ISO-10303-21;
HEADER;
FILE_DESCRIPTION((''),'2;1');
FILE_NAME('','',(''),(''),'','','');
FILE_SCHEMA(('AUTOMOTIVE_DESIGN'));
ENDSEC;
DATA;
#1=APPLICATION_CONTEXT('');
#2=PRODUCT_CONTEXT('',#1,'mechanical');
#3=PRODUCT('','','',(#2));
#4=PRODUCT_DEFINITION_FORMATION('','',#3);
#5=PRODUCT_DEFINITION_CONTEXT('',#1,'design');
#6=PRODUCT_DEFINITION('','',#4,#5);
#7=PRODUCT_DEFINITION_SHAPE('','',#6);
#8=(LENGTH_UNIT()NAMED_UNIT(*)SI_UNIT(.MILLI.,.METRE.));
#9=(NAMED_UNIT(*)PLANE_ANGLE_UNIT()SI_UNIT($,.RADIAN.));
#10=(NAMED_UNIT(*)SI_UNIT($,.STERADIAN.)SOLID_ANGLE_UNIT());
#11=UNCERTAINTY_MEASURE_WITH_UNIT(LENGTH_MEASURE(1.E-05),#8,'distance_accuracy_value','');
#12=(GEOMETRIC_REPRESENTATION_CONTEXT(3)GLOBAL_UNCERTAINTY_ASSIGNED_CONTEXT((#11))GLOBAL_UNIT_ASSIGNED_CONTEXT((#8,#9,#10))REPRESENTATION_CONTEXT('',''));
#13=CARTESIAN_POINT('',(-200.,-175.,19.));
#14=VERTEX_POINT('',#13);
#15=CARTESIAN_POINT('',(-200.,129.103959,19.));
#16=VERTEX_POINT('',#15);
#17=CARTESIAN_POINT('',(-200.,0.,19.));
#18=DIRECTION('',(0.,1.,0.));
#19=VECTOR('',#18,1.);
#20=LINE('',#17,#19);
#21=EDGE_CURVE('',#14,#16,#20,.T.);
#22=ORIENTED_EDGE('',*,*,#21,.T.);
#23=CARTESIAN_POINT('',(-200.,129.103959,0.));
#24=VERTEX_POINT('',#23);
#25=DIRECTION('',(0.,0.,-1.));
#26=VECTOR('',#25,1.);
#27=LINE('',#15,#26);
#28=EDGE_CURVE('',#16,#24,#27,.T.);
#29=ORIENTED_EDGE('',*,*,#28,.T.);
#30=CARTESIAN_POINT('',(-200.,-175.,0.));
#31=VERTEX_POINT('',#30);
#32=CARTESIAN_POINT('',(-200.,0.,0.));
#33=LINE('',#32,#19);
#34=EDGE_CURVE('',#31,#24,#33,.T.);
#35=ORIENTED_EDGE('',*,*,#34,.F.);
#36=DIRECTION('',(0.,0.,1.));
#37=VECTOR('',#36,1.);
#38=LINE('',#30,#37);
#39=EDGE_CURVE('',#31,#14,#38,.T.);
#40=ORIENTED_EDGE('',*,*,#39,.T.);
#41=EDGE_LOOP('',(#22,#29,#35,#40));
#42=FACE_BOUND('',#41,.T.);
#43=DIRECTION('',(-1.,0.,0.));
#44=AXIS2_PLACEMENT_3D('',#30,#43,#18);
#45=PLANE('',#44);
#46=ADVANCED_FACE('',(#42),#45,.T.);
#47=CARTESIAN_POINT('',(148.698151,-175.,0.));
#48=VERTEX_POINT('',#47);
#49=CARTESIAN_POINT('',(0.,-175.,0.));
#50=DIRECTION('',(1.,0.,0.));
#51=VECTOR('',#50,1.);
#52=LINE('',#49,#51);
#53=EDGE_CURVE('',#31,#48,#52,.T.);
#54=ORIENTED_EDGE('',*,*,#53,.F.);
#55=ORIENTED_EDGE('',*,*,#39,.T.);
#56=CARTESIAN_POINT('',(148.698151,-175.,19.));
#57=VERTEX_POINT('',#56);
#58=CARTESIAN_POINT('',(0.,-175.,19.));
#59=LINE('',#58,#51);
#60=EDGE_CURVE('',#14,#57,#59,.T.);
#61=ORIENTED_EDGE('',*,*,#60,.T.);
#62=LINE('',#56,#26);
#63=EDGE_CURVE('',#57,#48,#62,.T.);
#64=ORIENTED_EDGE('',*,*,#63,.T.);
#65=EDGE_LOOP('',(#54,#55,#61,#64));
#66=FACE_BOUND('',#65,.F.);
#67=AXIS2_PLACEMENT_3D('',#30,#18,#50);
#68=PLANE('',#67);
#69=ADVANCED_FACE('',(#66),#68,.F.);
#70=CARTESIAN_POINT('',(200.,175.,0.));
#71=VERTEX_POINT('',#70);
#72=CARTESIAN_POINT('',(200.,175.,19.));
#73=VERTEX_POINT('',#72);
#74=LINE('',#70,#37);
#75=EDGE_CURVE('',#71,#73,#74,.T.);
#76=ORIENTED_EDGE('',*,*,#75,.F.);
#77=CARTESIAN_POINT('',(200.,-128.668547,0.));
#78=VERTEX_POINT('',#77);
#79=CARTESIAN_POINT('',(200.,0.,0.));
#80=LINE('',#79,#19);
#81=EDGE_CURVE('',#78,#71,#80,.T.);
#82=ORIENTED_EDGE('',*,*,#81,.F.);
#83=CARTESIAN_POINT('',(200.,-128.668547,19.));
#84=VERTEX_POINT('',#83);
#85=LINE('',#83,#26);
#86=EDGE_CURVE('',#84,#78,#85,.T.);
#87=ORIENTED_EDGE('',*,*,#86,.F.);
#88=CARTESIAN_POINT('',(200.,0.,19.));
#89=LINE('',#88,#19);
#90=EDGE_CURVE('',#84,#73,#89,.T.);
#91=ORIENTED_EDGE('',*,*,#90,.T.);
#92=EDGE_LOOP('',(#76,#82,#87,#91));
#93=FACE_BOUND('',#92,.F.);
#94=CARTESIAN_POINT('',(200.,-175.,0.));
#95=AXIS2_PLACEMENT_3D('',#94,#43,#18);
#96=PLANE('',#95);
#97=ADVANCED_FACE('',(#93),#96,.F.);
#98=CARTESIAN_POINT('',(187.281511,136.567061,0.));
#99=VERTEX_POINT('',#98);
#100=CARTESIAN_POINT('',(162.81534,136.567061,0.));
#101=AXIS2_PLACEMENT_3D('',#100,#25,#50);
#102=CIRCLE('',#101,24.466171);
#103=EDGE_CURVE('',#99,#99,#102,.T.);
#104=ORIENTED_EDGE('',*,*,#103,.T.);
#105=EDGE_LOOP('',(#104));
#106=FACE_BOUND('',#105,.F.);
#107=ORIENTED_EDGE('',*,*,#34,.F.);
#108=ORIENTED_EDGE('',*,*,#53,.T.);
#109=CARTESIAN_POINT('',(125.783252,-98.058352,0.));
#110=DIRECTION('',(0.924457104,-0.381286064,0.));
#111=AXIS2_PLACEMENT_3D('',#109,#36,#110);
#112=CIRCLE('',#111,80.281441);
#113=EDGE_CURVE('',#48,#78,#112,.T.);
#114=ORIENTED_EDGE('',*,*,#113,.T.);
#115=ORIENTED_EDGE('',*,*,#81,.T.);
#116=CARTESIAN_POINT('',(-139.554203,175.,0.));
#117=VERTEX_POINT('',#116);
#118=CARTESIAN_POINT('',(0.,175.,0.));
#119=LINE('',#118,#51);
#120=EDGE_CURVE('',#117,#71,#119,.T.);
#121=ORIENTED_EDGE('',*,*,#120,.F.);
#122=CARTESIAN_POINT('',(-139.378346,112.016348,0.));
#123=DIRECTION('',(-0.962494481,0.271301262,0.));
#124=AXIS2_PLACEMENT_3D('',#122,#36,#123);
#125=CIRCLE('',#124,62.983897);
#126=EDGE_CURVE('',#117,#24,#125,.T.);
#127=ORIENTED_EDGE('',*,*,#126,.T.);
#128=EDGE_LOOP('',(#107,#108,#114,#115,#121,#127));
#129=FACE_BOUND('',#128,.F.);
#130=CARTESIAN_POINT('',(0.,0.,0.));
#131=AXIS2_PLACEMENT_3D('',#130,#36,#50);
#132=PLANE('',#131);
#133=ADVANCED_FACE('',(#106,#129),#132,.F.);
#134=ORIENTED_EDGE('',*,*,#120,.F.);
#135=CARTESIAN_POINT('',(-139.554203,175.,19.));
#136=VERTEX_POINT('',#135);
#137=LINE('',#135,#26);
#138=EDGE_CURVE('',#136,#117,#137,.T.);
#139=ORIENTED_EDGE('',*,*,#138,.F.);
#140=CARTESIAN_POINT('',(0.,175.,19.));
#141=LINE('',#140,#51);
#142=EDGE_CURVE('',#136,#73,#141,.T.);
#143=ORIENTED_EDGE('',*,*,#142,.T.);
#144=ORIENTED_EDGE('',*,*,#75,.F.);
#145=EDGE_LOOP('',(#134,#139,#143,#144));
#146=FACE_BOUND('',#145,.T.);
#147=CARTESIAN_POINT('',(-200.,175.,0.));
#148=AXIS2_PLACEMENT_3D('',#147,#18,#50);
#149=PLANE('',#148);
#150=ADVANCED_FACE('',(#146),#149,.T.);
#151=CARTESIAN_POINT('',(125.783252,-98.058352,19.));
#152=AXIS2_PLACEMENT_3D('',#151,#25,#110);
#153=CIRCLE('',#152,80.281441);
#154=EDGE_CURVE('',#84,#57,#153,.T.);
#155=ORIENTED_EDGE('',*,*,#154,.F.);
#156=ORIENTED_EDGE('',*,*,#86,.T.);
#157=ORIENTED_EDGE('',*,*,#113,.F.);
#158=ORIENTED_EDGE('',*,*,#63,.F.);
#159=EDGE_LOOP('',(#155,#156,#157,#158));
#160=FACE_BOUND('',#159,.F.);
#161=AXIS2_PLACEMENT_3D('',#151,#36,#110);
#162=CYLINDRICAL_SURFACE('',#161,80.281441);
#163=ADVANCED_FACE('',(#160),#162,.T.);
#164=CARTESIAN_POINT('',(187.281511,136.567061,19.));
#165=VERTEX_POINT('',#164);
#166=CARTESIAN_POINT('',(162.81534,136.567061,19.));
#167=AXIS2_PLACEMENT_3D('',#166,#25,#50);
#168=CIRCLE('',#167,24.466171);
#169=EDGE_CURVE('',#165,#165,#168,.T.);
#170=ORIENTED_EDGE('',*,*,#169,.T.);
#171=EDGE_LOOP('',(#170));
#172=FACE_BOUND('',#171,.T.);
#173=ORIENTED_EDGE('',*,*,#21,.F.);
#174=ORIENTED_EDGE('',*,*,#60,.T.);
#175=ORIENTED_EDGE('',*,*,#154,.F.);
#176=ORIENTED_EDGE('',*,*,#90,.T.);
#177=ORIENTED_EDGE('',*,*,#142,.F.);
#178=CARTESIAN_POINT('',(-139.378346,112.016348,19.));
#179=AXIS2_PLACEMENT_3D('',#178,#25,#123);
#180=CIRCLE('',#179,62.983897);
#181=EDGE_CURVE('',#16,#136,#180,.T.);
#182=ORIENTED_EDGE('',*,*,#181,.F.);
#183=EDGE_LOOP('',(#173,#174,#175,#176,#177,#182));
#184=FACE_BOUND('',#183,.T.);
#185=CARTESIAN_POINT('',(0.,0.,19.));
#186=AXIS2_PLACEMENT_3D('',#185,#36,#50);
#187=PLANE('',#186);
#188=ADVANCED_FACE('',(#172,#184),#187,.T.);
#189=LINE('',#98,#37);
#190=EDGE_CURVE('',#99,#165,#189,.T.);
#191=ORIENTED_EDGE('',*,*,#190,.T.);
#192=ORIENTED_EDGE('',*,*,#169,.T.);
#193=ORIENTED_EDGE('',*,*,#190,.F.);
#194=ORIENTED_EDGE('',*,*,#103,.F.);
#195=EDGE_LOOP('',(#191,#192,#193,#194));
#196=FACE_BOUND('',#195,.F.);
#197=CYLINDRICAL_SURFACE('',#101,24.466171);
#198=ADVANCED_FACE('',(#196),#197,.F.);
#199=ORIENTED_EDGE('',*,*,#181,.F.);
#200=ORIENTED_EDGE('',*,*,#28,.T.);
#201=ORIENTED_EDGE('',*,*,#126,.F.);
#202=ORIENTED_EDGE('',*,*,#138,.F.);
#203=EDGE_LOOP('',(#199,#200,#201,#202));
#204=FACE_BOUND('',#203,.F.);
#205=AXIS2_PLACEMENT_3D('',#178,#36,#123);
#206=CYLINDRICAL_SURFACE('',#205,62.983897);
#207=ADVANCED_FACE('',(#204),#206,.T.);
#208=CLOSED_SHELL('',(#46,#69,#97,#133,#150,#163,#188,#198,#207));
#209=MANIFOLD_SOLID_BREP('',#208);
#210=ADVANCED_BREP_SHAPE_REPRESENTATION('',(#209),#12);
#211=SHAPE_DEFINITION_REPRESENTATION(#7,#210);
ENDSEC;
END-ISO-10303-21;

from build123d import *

# Parameters (mm, degrees)
F0_W     = 400
F0_H     = 350
F1_DEPTH = 19
F3_DEPTH = 19.001
F5_DEPTH = 19.001
F6_R     = 24.466171
F7_DEPTH = 19.001


with BuildPart() as f1:
    # F0 (on Top) → F1 (new body)
    with BuildSketch(Plane.XY):
        Rectangle(F0_W, F0_H)
    extrude(amount=F1_DEPTH)

    # F2 (on face) → F3 (cut, through all)
    with BuildSketch(Plane.XY.offset(19)):
        with BuildLine():
            ThreePointArc((-200, 129.103959), (-177.466349, 162.178838), (-139.554203, 175))
            Line((-139.554203, 175), (-200, 175))
            Line((-200, 175), (-200, 129.103959))
        make_face()
    extrude(amount=-F3_DEPTH, mode=Mode.SUBTRACT)

    # F4 (on face) → F5 (cut, through all)
    with BuildSketch(Plane.XY.offset(19)):
        with BuildLine():
            ThreePointArc((200, -128.668547), (179.591152, -157.638715), (148.698151, -175))
            Line((148.698151, -175), (200, -175))
            Line((200, -175), (200, -128.668547))
        make_face()
    extrude(amount=-F5_DEPTH, mode=Mode.SUBTRACT)

    # F6 (on face) → F7 (cut, through all)
    with BuildSketch(Plane(origin=(0, 0, 0), x_dir=(1, 0, 0), z_dir=(0, 0, -1))):
        with Locations((162.81534, -136.567061)):
            Circle(F6_R)
    extrude(amount=-F7_DEPTH, mode=Mode.SUBTRACT)


solid = f1.part
